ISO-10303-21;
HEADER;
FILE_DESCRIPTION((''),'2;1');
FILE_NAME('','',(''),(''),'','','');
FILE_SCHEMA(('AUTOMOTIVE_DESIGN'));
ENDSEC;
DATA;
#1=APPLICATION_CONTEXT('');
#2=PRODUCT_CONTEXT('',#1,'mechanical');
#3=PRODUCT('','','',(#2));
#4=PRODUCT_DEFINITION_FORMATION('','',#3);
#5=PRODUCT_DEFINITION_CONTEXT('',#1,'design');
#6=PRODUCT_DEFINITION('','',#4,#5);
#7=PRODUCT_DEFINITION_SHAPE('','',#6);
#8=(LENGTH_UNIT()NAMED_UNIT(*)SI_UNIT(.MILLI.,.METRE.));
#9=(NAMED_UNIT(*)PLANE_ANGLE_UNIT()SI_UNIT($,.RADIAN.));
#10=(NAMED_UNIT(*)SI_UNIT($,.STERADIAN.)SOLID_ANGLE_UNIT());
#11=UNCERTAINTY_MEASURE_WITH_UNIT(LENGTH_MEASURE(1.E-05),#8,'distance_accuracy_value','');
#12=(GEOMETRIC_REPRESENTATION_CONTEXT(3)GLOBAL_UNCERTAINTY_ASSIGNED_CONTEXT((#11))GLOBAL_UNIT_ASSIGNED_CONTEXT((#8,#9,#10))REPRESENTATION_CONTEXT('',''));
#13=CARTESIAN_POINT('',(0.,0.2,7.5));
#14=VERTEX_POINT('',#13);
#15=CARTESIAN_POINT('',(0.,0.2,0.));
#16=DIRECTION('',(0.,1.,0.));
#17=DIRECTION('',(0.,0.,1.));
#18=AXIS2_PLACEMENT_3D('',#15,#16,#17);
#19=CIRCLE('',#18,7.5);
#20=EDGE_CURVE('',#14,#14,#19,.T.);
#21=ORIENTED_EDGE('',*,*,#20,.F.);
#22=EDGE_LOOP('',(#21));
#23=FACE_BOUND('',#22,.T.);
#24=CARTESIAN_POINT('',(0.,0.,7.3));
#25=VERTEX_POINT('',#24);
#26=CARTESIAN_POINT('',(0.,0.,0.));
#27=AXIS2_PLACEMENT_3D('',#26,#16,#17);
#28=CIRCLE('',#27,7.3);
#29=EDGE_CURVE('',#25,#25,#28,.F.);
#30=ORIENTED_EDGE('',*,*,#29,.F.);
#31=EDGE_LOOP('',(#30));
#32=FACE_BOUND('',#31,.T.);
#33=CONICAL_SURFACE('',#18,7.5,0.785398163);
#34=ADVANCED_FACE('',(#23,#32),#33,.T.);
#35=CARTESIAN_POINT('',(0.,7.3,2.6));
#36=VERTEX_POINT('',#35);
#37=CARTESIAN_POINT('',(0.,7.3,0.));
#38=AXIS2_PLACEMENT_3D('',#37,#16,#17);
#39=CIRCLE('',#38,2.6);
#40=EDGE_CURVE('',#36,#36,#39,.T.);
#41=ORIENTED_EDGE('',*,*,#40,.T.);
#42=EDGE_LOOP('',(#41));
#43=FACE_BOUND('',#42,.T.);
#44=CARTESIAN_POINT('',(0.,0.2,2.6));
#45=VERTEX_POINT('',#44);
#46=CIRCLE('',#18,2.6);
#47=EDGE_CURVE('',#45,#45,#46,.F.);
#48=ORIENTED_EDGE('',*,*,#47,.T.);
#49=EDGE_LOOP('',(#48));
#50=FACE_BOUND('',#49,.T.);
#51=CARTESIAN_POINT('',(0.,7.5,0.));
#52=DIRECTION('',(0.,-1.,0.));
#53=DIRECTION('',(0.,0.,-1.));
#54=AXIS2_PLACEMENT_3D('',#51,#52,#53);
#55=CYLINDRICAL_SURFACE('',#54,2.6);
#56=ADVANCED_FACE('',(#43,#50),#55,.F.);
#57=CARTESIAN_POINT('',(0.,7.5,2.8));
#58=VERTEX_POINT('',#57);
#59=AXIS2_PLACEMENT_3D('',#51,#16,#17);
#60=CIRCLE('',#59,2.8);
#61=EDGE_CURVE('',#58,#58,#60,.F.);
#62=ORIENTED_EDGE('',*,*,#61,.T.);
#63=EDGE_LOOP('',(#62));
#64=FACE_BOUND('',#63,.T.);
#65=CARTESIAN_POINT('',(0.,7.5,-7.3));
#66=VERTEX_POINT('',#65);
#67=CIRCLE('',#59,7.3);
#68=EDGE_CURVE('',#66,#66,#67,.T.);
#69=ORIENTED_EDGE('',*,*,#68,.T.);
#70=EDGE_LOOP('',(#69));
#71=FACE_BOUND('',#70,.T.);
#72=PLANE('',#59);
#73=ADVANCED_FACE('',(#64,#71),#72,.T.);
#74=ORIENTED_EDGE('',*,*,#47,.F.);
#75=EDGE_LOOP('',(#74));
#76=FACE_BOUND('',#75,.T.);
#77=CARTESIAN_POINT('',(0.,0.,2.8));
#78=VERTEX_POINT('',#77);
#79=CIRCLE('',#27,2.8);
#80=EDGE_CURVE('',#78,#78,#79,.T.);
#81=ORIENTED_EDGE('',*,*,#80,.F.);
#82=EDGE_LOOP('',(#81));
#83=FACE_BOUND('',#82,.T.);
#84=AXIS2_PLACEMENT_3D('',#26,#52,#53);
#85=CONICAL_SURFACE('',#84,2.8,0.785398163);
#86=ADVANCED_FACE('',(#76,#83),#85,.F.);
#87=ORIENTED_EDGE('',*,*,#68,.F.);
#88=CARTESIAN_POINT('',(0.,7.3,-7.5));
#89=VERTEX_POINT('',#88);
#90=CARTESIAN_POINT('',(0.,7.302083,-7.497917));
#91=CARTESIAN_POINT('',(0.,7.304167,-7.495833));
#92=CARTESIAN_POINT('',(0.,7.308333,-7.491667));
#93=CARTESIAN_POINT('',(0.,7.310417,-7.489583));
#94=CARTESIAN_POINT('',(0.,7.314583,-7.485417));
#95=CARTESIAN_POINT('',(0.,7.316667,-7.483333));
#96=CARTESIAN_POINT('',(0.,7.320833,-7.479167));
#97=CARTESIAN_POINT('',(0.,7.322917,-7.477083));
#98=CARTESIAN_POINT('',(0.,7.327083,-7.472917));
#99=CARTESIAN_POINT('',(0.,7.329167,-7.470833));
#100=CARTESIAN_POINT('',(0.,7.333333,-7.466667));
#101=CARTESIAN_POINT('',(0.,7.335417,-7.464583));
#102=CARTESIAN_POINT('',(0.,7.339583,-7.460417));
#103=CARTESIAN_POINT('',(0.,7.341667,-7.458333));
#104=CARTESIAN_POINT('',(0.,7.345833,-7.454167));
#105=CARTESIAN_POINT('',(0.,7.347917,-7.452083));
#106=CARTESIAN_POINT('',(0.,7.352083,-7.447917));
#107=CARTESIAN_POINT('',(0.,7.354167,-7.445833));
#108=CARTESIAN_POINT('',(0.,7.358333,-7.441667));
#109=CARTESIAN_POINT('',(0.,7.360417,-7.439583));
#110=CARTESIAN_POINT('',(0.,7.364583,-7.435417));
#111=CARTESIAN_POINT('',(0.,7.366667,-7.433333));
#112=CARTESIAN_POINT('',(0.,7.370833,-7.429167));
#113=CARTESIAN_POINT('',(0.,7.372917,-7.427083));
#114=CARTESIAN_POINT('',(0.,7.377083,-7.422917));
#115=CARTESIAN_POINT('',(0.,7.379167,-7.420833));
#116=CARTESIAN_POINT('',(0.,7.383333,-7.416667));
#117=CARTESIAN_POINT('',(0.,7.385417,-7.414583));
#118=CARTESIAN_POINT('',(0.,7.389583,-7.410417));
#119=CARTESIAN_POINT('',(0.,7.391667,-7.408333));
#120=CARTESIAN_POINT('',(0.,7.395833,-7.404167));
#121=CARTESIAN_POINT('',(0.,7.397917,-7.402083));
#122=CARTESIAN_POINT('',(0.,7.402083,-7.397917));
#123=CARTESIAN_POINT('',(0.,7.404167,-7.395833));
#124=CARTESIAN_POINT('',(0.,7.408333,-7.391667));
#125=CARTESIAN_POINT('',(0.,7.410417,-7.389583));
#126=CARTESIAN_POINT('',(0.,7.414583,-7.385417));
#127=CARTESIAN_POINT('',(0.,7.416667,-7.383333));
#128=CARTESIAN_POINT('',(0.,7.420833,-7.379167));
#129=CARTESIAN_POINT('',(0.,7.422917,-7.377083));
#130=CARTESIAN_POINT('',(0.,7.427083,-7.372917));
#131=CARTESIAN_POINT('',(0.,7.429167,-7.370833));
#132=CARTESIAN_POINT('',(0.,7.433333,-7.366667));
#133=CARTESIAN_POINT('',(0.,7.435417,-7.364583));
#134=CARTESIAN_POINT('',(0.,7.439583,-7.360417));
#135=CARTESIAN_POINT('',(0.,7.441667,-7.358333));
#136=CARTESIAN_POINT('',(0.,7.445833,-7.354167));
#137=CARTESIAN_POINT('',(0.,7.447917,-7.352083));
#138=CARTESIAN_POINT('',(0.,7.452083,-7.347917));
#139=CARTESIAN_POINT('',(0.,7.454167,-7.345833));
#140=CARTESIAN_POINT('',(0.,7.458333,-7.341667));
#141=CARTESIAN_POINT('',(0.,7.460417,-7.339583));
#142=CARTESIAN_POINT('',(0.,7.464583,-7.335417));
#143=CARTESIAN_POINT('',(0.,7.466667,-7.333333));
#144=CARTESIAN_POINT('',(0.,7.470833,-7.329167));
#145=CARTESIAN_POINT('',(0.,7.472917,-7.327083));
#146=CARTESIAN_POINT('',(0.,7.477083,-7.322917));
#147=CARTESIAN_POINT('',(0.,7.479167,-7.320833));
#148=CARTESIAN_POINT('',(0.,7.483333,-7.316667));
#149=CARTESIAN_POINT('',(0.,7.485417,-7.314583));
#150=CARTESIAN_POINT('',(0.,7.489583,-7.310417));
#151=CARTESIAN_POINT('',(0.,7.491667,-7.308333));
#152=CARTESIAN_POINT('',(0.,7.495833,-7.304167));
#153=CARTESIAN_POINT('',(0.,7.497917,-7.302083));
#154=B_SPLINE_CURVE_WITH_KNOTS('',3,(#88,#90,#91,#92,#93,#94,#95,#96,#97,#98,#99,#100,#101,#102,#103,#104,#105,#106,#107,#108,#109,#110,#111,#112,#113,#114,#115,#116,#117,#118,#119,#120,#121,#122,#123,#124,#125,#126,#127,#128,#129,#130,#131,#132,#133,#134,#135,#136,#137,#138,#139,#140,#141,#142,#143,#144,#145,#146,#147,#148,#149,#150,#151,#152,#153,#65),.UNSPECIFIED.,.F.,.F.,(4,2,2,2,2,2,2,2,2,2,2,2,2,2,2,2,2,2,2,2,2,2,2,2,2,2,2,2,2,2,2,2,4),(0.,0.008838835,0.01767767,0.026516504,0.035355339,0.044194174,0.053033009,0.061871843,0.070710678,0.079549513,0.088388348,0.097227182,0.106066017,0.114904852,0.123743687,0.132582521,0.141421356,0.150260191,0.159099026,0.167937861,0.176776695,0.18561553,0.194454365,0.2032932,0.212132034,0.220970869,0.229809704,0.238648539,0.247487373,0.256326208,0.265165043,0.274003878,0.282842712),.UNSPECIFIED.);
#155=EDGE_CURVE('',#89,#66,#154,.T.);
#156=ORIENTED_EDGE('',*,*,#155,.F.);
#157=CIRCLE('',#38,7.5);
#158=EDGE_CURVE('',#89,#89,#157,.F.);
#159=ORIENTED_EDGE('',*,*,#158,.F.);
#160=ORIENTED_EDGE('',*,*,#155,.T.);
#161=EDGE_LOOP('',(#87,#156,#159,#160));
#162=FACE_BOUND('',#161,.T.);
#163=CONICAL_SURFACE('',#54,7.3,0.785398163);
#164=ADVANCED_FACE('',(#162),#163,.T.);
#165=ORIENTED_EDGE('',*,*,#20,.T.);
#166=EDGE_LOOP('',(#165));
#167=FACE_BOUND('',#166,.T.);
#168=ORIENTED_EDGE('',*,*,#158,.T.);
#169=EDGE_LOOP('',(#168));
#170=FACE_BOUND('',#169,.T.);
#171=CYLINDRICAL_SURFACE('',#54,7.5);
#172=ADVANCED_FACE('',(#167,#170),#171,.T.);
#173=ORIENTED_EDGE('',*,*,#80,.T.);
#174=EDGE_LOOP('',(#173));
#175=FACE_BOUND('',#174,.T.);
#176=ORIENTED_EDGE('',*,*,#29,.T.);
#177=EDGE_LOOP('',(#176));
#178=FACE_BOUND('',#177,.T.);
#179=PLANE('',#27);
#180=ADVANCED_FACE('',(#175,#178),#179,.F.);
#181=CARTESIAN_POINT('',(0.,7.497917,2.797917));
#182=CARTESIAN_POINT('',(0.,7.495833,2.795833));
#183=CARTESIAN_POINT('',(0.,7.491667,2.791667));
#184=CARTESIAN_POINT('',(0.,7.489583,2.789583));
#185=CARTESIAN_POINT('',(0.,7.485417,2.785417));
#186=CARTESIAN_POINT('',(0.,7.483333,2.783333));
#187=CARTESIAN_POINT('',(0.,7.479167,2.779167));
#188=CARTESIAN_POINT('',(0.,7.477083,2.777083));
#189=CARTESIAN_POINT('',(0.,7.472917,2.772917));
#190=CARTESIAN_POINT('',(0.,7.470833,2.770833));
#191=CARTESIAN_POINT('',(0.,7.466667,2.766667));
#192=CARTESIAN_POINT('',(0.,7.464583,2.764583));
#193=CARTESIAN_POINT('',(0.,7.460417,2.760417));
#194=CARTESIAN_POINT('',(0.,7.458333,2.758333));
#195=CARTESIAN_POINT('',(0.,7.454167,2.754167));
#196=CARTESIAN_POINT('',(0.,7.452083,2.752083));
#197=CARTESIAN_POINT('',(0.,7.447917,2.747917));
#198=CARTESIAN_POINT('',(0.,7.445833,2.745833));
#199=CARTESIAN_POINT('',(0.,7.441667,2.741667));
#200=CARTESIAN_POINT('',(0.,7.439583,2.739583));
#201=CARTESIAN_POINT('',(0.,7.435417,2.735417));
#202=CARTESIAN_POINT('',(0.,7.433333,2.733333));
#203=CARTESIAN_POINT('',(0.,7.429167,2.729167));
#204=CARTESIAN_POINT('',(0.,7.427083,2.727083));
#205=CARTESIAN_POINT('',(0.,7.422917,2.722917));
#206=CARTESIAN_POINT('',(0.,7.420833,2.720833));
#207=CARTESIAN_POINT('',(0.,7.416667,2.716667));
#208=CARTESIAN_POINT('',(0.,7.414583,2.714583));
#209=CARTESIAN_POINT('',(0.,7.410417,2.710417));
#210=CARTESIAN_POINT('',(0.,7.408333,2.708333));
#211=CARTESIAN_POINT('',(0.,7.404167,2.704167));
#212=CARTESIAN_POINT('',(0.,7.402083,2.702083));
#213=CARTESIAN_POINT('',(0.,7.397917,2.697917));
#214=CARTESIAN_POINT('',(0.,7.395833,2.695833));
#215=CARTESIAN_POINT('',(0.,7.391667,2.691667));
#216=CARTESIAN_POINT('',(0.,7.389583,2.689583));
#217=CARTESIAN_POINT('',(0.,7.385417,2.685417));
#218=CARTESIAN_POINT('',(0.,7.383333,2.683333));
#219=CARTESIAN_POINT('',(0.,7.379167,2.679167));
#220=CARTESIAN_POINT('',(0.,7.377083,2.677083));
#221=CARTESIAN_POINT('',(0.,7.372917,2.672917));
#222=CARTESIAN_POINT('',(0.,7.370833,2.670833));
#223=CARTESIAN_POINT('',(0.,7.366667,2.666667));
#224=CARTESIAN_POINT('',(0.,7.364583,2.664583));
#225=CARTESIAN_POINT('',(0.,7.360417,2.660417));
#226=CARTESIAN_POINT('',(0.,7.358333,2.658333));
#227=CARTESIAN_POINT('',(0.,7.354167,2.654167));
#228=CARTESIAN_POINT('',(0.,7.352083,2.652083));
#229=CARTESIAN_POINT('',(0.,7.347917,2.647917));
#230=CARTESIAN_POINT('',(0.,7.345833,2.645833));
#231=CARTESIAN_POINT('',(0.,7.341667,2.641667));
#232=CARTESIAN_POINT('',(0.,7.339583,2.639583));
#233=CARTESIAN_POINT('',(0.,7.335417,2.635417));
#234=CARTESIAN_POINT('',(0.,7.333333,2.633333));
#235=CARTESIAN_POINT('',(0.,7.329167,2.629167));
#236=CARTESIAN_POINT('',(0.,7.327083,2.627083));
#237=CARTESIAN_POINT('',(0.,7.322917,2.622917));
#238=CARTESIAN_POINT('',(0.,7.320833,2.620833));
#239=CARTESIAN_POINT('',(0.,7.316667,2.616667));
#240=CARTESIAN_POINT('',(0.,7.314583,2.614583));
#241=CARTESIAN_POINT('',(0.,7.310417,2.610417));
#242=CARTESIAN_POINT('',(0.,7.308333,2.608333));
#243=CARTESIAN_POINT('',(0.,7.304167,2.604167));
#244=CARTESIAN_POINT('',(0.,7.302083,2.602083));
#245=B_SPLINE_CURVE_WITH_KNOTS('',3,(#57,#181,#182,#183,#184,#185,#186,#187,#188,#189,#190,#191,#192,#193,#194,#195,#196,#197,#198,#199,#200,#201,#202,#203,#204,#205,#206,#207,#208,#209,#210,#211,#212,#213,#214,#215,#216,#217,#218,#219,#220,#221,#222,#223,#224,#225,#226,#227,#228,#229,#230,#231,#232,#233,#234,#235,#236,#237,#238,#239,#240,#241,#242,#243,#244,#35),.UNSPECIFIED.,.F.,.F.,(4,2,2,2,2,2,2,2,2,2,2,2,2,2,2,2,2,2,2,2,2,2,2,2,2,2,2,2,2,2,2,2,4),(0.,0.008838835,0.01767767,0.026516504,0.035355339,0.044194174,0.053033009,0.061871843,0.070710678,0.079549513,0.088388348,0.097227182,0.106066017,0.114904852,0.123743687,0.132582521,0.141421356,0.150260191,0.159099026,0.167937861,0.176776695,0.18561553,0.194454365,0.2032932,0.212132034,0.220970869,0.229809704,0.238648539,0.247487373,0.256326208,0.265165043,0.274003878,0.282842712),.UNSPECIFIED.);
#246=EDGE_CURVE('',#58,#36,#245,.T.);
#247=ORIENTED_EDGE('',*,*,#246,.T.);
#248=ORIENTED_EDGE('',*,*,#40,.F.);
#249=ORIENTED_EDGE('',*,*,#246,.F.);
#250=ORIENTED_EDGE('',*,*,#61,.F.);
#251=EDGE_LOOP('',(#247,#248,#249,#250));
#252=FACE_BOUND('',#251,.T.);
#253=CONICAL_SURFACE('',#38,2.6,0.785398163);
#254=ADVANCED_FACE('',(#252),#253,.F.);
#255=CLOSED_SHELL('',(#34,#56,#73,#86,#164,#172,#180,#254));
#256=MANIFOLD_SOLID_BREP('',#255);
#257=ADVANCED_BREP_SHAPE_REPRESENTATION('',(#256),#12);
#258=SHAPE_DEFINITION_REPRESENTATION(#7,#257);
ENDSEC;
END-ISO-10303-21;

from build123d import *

# Parameters (mm, degrees)
SKETCH1_R           = 7.5
SKETCH1_R_2         = 2.6
BOSS_EXTRUDE1_DEPTH = 7.5
CHAMFER1_SIZE       = 0.2


with BuildPart() as part:
    # Sketch1 → Boss-Extrude1 (new body)
    with BuildSketch(Plane(origin=(0, 0, 0), x_dir=(1, 0, 0), z_dir=(0, 1, 0))):
        with Locations(Location((0, 0, 0), (0, 0, 270))):
            Circle(SKETCH1_R)
        with Locations(Location((0, 0, 0), (0, 0, 270))):
            Circle(SKETCH1_R_2, mode=Mode.SUBTRACT)
    extrude(amount=BOSS_EXTRUDE1_DEPTH)

    # Chamfer1
    chamfer1_edges = [part.edges().sort_by_distance(p)[0] for p in [
        (0, 0, -7.5),
        (0, 7.5, -7.5),
        (0, 0, -2.6),
        (0, 7.5, -2.6),
    ]]
    chamfer(chamfer1_edges, length=CHAMFER1_SIZE)


solid = part.part
